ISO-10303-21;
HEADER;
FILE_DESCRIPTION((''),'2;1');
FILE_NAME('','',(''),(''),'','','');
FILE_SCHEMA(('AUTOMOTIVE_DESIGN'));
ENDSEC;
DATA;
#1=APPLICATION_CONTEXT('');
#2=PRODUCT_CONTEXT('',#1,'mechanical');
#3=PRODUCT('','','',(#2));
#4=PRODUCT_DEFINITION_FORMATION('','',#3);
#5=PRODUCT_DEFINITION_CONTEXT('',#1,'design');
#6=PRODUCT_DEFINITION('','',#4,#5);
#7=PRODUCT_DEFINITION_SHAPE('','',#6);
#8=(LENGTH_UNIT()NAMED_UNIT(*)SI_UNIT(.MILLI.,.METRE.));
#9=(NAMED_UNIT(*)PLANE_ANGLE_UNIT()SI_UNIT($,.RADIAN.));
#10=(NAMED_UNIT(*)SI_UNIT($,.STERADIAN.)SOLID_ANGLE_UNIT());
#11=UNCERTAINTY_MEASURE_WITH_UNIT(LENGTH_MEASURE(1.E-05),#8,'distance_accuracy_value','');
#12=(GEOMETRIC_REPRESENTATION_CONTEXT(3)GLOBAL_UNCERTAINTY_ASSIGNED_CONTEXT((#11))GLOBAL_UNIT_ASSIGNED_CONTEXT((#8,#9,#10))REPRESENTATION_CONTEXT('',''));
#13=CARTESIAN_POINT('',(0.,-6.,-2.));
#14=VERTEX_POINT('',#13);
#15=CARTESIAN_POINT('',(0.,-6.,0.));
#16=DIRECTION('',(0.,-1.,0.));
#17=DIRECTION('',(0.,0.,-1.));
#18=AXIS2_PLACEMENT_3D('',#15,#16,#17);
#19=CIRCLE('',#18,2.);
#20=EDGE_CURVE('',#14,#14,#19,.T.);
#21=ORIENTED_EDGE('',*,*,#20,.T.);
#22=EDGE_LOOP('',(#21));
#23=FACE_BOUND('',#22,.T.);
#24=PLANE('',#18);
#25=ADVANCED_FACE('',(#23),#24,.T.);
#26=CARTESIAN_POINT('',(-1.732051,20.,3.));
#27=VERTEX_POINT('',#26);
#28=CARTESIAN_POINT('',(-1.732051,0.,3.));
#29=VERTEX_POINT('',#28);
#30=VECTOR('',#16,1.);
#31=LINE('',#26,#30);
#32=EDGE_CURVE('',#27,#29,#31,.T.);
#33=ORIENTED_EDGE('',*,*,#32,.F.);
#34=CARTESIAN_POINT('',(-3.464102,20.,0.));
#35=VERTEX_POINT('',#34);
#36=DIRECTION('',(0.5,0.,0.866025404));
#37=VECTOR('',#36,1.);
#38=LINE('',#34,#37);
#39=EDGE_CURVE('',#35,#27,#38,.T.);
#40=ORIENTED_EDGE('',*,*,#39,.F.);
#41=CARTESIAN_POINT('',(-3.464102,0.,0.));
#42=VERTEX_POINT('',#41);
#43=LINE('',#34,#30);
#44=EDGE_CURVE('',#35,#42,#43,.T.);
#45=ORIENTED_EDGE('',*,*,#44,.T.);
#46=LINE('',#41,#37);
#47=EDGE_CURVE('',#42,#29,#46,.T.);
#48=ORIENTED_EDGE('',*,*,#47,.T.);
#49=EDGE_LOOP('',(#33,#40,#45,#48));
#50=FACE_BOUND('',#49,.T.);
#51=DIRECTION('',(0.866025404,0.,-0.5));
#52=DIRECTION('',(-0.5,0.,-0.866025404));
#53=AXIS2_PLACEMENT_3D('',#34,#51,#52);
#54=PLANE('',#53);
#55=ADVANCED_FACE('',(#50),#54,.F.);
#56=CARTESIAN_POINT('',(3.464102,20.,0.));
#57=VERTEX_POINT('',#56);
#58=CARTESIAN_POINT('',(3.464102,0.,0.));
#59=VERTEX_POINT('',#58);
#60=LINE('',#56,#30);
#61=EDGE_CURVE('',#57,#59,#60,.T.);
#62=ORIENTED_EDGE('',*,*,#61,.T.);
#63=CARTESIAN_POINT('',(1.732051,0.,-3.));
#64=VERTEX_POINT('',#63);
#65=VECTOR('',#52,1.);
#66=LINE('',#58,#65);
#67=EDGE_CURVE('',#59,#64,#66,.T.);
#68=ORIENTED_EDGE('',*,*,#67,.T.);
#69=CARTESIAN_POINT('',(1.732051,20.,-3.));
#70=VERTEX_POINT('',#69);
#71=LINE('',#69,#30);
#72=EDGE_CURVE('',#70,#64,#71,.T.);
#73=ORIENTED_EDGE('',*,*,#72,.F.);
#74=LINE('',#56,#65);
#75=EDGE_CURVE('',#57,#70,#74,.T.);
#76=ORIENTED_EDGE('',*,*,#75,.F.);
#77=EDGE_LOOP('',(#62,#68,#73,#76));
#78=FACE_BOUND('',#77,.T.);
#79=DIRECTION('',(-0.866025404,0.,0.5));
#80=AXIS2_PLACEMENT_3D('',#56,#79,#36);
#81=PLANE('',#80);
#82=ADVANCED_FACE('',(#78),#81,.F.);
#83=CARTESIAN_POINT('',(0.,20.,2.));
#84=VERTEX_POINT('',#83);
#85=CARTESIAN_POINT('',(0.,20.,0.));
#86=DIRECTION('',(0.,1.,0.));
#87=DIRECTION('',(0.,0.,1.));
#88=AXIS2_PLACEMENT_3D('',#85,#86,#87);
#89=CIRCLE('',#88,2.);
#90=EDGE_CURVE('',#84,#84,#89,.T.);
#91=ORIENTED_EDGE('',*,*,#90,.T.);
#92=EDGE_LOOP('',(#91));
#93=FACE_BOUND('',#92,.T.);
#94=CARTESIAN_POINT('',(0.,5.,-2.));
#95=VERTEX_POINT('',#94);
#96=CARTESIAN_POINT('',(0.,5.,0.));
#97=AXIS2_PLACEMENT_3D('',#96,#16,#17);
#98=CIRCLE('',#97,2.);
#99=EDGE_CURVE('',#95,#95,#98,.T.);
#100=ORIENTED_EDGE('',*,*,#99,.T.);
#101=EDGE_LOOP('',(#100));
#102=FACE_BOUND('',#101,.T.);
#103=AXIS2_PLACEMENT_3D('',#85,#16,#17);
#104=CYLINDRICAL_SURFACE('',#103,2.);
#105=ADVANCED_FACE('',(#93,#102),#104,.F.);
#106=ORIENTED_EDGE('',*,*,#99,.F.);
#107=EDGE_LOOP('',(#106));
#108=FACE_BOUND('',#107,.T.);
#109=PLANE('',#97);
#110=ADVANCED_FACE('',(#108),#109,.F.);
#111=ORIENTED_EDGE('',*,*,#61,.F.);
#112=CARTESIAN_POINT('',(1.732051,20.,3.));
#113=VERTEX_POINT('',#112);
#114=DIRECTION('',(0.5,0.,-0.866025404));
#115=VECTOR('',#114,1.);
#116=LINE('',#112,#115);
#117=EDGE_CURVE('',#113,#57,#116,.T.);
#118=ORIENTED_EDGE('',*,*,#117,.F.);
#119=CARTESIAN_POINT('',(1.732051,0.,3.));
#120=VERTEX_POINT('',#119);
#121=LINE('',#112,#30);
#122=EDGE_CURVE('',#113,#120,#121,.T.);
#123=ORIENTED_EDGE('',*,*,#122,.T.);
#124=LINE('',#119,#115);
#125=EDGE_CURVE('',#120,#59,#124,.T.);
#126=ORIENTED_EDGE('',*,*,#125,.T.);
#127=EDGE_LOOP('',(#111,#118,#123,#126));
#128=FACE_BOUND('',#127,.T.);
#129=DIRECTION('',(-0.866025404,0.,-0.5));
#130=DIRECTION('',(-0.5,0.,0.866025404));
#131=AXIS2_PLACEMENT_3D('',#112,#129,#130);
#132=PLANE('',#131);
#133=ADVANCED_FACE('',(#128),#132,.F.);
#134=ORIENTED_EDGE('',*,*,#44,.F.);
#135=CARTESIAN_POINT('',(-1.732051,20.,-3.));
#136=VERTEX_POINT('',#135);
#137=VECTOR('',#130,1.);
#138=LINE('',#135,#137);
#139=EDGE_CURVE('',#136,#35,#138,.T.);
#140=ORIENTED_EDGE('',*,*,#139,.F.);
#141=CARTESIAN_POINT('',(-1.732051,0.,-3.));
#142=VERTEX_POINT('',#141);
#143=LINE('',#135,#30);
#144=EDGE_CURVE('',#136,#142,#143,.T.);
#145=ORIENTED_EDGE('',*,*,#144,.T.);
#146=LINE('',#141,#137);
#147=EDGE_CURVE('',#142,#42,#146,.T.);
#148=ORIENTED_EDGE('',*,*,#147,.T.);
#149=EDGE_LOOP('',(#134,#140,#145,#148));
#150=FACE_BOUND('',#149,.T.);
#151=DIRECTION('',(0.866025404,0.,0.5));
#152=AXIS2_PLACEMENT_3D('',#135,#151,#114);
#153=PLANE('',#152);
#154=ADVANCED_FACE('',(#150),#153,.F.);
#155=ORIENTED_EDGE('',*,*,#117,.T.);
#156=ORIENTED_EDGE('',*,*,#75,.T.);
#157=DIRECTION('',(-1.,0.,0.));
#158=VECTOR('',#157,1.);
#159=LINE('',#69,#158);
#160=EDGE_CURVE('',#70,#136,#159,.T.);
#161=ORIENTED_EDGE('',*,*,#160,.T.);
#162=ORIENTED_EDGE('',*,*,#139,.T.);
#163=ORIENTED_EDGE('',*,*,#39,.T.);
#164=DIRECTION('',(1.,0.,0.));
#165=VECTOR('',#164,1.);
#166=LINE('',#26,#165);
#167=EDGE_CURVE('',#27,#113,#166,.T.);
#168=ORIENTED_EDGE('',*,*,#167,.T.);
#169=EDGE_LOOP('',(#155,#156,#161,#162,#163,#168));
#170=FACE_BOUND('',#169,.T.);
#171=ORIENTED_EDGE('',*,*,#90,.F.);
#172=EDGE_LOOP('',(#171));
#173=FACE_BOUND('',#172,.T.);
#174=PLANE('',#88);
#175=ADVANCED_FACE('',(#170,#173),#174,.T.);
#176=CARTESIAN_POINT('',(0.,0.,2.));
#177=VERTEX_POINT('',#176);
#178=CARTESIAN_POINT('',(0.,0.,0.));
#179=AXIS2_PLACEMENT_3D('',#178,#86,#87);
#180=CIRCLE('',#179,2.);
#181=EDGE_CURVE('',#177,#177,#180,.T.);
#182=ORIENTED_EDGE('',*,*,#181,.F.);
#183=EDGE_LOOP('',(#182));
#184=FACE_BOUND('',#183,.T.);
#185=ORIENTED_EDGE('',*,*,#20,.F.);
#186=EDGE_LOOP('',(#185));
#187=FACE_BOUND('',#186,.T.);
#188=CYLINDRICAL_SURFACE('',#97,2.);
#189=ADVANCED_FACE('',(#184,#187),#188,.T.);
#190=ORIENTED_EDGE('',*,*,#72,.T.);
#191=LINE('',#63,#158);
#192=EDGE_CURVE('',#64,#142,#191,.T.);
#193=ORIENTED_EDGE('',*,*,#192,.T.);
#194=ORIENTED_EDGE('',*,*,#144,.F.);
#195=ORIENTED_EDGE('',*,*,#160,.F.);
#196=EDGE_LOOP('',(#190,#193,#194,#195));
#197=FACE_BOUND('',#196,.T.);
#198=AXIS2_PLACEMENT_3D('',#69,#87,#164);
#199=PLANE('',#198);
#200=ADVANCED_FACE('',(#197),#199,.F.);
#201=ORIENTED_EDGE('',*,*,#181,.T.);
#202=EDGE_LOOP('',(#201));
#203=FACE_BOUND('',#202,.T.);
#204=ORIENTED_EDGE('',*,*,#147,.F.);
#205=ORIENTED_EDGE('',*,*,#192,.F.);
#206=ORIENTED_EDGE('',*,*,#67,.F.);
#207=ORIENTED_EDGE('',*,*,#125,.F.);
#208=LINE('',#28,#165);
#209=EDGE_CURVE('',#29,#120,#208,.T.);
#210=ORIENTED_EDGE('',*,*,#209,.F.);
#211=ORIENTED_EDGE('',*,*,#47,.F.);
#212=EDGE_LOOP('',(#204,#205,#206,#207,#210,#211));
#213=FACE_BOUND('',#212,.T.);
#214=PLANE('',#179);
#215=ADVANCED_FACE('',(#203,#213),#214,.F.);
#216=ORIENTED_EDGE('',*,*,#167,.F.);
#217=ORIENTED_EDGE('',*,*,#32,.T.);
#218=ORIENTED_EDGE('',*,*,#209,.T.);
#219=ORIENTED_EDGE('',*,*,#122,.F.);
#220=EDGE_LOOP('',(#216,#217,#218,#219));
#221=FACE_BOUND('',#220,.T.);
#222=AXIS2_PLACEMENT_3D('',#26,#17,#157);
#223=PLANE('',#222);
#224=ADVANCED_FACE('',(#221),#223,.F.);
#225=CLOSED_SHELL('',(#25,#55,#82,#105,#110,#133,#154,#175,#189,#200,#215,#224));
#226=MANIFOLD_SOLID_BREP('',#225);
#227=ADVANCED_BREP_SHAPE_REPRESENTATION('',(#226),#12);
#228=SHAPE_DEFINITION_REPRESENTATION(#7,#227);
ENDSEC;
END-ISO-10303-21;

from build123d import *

# Parameters (mm, degrees)
SKETCH_1_R           = 2
EXTRUDE_1_DEPTH      = 20
EXTRUDE_2_DEPTH      = 6
EXTRUDE_2_DEPTH_BACK = 5
SKETCH_2_R           = 2


with BuildPart() as part:
    # 草图1 → 凸台-拉伸1 (new body)
    with BuildSketch(Plane(origin=(0, 0, 0), x_dir=(1, 0, 0), z_dir=(0, 1, 0))):
        Polygon((3.464101615, 0), (1.732050808, 3), (-1.732050808, 3), (-3.464101615, 0), (-1.732050808, -3), (1.732050808, -3), align=None)
        with Locations(Location((0, 0, 0), (0, 0, 270))):
            Circle(SKETCH_1_R, mode=Mode.SUBTRACT)
    extrude(amount=EXTRUDE_1_DEPTH)

    # 草图2 → 凸台-拉伸2 (add, two sides: drawn at the far end of the back side and taken through both)
    with BuildSketch(Plane.XZ.offset(-EXTRUDE_2_DEPTH_BACK)):
        with Locations(Location((0, 0, 0), (0, 0, 270))):
            Circle(SKETCH_2_R)
    extrude(amount=EXTRUDE_2_DEPTH + EXTRUDE_2_DEPTH_BACK)


solid = part.part
